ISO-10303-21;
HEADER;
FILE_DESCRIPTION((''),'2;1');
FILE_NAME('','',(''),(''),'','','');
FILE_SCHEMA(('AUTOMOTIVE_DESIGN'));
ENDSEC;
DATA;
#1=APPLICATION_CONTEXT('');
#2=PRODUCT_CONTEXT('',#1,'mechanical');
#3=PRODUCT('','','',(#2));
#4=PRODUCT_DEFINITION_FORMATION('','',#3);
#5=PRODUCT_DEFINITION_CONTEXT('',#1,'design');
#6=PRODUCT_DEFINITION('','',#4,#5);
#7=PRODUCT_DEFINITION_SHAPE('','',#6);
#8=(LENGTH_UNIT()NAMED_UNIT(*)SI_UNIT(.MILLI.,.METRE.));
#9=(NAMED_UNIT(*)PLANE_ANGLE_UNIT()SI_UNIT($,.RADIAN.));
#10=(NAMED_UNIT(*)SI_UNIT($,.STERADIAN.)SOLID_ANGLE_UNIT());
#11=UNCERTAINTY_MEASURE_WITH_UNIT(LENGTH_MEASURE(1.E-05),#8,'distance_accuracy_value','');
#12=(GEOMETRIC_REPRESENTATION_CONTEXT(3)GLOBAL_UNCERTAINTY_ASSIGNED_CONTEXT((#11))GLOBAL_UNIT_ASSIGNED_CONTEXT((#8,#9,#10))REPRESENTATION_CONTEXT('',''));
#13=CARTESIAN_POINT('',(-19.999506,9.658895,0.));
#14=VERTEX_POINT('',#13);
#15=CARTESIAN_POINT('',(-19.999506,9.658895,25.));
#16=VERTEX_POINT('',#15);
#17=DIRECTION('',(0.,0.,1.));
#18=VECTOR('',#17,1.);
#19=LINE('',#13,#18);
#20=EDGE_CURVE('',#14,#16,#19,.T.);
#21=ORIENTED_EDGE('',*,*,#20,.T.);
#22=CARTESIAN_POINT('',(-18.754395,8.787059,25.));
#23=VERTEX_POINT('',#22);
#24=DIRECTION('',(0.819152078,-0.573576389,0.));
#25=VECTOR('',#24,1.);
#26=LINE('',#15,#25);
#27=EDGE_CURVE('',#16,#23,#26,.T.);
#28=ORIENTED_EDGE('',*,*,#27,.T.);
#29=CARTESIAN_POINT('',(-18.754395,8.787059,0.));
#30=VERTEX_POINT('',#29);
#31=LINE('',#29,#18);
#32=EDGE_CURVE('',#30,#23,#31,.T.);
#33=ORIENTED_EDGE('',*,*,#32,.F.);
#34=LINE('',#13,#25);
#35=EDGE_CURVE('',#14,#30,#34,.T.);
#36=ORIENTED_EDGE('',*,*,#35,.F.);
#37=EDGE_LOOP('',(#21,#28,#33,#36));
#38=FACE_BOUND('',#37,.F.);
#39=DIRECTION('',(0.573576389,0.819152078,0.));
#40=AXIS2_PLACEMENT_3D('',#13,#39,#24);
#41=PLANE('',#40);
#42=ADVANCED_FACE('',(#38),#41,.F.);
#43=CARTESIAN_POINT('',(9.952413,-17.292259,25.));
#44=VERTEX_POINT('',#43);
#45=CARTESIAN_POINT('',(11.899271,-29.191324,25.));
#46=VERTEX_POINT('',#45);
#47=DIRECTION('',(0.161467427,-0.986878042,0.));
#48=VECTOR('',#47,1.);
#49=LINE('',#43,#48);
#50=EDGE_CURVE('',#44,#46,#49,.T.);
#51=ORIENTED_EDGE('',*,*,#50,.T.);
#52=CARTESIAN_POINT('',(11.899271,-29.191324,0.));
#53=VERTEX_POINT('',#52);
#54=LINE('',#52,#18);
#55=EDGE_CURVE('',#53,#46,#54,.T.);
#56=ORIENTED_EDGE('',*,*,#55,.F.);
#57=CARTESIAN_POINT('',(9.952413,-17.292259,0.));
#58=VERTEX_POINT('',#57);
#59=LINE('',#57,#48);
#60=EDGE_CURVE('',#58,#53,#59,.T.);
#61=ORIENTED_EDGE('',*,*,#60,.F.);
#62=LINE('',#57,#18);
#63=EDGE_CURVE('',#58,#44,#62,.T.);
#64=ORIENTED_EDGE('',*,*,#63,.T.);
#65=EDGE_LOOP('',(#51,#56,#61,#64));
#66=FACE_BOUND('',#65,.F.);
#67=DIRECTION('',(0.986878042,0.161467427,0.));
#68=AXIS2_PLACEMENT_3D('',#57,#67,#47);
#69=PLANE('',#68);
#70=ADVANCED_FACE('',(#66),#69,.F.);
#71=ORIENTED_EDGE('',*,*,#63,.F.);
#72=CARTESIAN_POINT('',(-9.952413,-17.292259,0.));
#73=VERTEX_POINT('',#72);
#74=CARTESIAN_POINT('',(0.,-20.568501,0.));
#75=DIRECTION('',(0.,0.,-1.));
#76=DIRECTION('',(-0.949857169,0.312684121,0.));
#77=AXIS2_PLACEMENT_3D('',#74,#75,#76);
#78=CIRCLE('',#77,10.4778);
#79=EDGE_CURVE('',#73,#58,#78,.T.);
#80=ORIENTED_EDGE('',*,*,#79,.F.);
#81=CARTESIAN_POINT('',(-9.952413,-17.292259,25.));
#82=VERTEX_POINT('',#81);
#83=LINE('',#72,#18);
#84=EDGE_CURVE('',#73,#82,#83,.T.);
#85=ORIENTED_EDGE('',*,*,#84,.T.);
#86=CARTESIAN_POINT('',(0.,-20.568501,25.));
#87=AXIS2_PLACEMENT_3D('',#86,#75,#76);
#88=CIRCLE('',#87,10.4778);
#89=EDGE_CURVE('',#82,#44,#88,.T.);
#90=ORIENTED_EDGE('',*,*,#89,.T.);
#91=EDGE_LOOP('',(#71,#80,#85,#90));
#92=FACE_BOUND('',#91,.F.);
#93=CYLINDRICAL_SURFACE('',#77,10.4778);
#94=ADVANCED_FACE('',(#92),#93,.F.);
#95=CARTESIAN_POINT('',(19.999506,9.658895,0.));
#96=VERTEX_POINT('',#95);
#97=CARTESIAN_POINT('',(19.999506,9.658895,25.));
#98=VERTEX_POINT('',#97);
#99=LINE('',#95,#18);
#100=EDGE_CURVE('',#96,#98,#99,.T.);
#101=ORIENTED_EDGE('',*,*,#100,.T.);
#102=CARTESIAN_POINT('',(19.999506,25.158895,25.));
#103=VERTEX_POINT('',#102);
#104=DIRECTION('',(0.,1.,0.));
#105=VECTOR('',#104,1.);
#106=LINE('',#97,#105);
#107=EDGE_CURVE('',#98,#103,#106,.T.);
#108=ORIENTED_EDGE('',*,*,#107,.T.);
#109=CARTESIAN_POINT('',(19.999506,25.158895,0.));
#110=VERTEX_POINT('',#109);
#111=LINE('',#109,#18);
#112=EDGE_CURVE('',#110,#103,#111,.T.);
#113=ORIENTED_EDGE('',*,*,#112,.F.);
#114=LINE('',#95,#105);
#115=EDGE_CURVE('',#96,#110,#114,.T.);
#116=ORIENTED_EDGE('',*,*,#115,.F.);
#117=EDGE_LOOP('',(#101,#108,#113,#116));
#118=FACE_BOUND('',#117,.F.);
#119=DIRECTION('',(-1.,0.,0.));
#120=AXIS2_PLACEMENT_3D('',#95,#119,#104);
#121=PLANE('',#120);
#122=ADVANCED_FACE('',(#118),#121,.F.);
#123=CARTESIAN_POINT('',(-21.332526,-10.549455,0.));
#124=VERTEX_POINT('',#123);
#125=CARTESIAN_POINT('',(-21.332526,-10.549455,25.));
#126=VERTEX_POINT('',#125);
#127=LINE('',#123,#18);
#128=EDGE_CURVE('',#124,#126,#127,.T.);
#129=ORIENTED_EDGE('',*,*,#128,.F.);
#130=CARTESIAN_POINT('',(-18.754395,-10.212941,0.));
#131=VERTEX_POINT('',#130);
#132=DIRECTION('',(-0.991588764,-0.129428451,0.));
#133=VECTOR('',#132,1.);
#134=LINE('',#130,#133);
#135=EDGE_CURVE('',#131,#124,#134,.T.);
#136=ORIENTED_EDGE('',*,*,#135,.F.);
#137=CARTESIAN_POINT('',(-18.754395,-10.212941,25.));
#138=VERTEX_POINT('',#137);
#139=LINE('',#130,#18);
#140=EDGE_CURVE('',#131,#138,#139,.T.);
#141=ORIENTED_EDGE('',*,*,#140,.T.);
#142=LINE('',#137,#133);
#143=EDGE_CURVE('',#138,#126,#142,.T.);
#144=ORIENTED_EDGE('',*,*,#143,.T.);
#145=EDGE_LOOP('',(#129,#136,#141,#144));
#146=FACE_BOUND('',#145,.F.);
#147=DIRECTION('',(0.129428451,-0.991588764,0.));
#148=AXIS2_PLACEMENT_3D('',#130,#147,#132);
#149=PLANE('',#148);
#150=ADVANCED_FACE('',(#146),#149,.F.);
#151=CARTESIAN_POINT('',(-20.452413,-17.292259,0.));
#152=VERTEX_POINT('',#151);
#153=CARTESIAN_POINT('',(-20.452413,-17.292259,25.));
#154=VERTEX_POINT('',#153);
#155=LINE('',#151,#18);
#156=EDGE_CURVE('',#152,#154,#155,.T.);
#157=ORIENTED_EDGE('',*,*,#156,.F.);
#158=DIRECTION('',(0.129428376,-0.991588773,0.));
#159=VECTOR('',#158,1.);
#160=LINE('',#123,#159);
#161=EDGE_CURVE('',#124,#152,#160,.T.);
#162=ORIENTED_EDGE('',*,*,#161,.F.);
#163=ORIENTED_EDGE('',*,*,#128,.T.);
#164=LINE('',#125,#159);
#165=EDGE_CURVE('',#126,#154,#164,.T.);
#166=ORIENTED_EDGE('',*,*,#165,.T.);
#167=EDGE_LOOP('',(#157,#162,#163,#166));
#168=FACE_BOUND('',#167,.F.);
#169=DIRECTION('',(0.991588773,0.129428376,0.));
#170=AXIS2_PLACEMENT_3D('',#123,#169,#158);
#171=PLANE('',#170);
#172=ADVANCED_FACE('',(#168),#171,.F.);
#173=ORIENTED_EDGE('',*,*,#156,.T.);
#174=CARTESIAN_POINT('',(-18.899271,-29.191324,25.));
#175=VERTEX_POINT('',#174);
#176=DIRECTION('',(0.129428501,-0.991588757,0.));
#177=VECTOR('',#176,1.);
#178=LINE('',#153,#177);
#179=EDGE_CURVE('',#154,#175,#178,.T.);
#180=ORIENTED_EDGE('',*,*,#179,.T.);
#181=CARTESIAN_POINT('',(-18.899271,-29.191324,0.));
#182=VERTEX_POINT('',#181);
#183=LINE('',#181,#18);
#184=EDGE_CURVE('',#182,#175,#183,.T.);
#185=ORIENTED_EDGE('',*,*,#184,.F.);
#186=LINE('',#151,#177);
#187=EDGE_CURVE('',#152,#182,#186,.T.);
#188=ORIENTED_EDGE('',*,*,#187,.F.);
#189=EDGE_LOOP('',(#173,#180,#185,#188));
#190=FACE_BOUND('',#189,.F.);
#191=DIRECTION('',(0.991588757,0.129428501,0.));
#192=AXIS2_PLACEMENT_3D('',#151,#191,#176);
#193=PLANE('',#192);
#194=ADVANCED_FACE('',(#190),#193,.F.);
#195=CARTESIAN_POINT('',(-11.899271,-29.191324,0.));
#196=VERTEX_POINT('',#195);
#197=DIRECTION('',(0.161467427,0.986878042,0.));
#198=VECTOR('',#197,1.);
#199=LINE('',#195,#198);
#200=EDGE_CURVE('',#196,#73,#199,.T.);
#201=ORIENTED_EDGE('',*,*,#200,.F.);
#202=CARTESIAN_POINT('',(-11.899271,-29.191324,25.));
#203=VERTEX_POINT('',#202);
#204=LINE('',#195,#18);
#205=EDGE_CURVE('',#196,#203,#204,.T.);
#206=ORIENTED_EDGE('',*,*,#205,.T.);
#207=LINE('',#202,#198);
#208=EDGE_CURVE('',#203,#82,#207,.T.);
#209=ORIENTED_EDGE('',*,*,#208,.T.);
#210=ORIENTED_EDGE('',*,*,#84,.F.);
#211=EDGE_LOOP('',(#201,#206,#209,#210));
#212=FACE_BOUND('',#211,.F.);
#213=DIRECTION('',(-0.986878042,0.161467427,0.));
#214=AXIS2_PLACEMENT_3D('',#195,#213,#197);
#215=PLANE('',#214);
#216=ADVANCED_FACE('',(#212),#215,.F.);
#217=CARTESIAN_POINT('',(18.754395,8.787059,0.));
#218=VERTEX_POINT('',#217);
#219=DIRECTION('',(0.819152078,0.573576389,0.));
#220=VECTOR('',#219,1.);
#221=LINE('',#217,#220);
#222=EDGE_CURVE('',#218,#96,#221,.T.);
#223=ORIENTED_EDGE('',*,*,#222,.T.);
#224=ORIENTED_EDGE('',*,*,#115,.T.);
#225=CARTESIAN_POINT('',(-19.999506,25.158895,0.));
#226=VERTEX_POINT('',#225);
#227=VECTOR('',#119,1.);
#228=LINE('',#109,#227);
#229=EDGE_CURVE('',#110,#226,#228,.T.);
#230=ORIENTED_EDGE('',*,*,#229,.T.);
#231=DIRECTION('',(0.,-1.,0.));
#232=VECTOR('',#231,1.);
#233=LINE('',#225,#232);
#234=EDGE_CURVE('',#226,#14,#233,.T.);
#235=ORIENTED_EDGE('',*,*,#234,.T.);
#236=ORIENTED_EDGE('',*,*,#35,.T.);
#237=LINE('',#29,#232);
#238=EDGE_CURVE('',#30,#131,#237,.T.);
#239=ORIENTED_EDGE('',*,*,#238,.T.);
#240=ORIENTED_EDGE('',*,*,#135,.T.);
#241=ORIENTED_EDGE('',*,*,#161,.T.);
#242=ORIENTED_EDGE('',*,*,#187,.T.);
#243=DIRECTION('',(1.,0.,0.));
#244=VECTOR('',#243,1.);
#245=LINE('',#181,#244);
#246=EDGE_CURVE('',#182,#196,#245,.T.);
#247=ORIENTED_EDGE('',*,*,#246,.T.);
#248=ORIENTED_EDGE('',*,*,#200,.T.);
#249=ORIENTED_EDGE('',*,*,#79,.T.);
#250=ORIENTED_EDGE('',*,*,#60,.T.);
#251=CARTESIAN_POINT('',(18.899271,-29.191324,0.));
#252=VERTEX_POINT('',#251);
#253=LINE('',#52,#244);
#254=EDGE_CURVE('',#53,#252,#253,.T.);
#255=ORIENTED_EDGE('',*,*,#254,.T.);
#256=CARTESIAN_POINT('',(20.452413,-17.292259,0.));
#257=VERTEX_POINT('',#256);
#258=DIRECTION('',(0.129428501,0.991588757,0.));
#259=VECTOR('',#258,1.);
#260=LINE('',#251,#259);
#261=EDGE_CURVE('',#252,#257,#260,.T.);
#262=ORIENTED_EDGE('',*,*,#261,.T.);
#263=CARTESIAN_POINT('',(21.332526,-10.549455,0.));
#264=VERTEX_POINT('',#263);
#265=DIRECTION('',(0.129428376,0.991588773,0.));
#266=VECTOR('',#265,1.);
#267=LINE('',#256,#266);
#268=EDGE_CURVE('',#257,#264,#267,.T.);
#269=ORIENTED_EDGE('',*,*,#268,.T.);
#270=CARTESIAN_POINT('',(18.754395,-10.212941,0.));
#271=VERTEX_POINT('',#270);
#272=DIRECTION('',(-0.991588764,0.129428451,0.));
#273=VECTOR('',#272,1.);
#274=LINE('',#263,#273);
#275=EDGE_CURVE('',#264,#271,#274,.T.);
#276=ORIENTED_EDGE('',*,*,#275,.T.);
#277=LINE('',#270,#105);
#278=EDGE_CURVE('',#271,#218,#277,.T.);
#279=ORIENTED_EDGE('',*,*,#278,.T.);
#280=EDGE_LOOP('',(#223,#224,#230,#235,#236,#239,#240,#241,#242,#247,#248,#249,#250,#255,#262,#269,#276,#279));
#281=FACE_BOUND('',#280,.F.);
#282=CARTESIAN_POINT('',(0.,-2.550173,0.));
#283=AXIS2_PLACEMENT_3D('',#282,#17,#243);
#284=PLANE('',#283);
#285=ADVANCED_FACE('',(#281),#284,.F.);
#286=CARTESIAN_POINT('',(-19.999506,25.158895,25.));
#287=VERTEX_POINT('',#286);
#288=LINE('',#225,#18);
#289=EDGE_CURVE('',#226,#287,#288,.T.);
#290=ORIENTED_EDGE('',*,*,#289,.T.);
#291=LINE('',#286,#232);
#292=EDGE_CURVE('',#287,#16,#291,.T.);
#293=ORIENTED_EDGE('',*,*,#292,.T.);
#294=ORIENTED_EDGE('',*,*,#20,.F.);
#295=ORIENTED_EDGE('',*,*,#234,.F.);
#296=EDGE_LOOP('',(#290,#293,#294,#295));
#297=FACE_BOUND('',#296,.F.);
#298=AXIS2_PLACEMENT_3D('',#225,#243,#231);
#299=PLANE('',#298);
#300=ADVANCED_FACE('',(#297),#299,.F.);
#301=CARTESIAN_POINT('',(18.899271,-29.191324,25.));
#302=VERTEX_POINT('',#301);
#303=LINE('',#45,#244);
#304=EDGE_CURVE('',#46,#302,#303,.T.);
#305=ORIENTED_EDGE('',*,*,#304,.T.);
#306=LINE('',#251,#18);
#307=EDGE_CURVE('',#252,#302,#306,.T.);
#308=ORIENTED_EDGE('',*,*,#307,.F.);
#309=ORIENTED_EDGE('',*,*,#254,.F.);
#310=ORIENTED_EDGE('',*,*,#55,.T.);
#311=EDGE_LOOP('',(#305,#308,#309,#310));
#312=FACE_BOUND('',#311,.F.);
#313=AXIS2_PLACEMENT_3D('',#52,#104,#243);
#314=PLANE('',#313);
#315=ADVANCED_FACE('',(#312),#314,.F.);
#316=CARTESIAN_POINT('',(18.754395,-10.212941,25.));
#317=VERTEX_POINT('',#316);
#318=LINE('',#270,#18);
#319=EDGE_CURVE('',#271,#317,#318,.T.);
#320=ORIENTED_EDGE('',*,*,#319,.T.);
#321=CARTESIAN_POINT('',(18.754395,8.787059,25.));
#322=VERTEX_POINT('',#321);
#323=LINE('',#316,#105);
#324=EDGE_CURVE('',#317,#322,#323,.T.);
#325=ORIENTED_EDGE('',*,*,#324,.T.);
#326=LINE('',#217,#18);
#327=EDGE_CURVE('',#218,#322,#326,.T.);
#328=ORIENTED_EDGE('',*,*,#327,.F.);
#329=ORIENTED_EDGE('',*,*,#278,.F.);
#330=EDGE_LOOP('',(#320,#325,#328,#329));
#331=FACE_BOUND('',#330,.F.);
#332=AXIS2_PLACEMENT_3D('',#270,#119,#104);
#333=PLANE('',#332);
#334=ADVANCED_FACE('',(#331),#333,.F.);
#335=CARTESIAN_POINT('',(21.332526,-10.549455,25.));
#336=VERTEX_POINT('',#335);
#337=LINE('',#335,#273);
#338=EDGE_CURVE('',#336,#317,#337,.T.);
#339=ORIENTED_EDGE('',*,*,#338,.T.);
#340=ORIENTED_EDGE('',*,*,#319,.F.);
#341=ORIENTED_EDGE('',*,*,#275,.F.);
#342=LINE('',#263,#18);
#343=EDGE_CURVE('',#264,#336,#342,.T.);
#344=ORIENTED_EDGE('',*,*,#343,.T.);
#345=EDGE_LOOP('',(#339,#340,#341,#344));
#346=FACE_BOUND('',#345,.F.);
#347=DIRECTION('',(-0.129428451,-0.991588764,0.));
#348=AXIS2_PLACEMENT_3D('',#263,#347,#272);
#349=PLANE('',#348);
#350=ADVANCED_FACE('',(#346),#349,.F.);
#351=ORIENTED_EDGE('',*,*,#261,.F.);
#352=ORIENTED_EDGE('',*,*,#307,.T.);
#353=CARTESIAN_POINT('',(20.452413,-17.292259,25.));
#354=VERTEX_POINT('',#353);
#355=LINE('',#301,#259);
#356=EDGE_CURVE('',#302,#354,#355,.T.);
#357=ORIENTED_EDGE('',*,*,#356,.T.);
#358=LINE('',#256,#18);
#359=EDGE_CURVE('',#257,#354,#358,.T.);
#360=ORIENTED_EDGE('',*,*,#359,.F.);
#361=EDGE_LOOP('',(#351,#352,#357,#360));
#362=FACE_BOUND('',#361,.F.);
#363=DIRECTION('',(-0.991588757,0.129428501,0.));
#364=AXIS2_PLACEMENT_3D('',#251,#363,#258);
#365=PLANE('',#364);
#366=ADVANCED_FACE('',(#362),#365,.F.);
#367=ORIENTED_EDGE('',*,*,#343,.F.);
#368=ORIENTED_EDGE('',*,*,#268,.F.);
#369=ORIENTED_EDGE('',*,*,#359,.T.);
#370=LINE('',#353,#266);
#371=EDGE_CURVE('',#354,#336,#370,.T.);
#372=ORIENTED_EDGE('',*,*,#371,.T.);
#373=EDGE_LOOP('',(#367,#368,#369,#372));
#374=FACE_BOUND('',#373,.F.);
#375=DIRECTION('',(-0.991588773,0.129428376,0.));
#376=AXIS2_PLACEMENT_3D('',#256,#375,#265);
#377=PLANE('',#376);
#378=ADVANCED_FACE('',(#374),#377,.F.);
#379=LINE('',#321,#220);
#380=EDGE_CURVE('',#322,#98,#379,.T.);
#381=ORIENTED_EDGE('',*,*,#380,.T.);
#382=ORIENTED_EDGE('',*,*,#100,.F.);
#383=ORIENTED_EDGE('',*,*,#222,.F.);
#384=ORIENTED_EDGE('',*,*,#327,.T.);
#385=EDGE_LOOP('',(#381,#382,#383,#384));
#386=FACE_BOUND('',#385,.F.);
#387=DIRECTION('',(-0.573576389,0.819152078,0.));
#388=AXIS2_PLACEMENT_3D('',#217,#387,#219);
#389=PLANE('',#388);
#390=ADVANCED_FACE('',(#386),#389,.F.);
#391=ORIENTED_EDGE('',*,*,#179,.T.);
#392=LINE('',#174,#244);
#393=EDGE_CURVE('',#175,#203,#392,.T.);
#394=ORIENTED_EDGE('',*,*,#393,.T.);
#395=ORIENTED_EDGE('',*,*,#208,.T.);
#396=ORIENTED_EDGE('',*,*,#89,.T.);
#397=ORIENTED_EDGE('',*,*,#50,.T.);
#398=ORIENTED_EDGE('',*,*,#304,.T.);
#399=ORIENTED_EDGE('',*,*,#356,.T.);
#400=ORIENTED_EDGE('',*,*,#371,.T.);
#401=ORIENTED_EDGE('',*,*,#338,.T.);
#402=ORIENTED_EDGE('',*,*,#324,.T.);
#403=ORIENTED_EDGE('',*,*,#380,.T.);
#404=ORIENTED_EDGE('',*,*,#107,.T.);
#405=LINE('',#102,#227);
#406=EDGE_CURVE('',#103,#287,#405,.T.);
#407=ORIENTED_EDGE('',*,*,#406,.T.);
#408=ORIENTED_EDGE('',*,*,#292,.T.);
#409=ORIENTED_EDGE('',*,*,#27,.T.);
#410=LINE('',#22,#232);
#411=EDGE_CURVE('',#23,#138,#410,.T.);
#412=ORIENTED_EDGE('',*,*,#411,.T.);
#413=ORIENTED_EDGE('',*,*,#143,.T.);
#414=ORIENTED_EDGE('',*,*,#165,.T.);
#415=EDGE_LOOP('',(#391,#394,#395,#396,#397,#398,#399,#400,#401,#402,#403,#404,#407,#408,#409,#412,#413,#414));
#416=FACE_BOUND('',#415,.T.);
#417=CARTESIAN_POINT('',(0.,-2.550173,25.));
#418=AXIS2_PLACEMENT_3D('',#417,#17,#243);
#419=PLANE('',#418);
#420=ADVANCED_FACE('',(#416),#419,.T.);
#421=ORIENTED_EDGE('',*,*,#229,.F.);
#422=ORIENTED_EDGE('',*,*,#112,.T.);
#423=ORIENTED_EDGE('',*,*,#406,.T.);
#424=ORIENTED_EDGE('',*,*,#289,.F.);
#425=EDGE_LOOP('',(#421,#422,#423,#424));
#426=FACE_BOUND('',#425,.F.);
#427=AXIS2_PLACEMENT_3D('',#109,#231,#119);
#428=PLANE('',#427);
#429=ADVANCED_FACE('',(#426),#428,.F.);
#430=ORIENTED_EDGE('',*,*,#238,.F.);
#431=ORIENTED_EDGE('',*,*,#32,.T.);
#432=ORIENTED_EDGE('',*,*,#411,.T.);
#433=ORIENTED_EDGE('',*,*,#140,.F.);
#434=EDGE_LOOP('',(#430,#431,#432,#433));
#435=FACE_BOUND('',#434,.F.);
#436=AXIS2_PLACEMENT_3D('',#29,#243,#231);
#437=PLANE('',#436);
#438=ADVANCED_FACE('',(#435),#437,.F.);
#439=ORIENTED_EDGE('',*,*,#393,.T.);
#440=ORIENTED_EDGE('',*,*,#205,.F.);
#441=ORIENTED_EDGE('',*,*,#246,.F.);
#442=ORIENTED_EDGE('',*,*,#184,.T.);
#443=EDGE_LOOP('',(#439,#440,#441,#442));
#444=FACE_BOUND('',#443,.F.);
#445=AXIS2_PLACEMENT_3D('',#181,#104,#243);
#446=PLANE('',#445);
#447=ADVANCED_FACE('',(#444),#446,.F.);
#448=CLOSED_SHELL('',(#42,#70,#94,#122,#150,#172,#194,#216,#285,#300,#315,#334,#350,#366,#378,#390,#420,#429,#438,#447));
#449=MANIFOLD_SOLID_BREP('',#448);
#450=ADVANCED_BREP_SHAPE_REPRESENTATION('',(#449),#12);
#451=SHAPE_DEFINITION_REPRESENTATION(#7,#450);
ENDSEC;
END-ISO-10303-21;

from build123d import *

# Parameters (mm, degrees)
F1_DEPTH = 25


with BuildPart() as f1:
    # F0 (on Top) → F1 (new body)
    with BuildSketch(Plane.XY):
        with BuildLine():
            Line((-18.754395, -10.212941), (-21.332526, -10.549455))
            Line((-21.332526, -10.549455), (-20.452413, -17.292259))
            Line((-20.452413, -17.292259), (-18.899271, -29.191324))
            Line((-18.899271, -29.191324), (-11.899271, -29.191324))
            Line((-11.899271, -29.191324), (-9.952413, -17.292259))
            ThreePointArc((-9.952413, -17.292259), (0, -10.090701), (9.952413, -17.292259))
            Line((9.952413, -17.292259), (11.899271, -29.191324))
            Line((11.899271, -29.191324), (18.899271, -29.191324))
            Line((18.899271, -29.191324), (20.452413, -17.292259))
            Line((20.452413, -17.292259), (21.332526, -10.549455))
            Line((21.332526, -10.549455), (18.754395, -10.212941))
            Line((18.754395, -10.212941), (18.754395, 8.787059))
            Line((18.754395, 8.787059), (19.999506, 9.658895))
            Line((19.999506, 9.658895), (19.999506, 25.158895))
            Line((19.999506, 25.158895), (0.000494, 25.158895))
            Line((0.000494, 25.158895), (-0.000494, 25.158895))
            Line((-0.000494, 25.158895), (-19.999506, 25.158895))
            Line((-19.999506, 25.158895), (-19.999506, 9.658895))
            Line((-19.999506, 9.658895), (-18.754395, 8.787059))
            Line((-18.754395, 8.787059), (-18.754395, -10.212941))
        make_face()
    extrude(amount=F1_DEPTH)


solid = f1.part
